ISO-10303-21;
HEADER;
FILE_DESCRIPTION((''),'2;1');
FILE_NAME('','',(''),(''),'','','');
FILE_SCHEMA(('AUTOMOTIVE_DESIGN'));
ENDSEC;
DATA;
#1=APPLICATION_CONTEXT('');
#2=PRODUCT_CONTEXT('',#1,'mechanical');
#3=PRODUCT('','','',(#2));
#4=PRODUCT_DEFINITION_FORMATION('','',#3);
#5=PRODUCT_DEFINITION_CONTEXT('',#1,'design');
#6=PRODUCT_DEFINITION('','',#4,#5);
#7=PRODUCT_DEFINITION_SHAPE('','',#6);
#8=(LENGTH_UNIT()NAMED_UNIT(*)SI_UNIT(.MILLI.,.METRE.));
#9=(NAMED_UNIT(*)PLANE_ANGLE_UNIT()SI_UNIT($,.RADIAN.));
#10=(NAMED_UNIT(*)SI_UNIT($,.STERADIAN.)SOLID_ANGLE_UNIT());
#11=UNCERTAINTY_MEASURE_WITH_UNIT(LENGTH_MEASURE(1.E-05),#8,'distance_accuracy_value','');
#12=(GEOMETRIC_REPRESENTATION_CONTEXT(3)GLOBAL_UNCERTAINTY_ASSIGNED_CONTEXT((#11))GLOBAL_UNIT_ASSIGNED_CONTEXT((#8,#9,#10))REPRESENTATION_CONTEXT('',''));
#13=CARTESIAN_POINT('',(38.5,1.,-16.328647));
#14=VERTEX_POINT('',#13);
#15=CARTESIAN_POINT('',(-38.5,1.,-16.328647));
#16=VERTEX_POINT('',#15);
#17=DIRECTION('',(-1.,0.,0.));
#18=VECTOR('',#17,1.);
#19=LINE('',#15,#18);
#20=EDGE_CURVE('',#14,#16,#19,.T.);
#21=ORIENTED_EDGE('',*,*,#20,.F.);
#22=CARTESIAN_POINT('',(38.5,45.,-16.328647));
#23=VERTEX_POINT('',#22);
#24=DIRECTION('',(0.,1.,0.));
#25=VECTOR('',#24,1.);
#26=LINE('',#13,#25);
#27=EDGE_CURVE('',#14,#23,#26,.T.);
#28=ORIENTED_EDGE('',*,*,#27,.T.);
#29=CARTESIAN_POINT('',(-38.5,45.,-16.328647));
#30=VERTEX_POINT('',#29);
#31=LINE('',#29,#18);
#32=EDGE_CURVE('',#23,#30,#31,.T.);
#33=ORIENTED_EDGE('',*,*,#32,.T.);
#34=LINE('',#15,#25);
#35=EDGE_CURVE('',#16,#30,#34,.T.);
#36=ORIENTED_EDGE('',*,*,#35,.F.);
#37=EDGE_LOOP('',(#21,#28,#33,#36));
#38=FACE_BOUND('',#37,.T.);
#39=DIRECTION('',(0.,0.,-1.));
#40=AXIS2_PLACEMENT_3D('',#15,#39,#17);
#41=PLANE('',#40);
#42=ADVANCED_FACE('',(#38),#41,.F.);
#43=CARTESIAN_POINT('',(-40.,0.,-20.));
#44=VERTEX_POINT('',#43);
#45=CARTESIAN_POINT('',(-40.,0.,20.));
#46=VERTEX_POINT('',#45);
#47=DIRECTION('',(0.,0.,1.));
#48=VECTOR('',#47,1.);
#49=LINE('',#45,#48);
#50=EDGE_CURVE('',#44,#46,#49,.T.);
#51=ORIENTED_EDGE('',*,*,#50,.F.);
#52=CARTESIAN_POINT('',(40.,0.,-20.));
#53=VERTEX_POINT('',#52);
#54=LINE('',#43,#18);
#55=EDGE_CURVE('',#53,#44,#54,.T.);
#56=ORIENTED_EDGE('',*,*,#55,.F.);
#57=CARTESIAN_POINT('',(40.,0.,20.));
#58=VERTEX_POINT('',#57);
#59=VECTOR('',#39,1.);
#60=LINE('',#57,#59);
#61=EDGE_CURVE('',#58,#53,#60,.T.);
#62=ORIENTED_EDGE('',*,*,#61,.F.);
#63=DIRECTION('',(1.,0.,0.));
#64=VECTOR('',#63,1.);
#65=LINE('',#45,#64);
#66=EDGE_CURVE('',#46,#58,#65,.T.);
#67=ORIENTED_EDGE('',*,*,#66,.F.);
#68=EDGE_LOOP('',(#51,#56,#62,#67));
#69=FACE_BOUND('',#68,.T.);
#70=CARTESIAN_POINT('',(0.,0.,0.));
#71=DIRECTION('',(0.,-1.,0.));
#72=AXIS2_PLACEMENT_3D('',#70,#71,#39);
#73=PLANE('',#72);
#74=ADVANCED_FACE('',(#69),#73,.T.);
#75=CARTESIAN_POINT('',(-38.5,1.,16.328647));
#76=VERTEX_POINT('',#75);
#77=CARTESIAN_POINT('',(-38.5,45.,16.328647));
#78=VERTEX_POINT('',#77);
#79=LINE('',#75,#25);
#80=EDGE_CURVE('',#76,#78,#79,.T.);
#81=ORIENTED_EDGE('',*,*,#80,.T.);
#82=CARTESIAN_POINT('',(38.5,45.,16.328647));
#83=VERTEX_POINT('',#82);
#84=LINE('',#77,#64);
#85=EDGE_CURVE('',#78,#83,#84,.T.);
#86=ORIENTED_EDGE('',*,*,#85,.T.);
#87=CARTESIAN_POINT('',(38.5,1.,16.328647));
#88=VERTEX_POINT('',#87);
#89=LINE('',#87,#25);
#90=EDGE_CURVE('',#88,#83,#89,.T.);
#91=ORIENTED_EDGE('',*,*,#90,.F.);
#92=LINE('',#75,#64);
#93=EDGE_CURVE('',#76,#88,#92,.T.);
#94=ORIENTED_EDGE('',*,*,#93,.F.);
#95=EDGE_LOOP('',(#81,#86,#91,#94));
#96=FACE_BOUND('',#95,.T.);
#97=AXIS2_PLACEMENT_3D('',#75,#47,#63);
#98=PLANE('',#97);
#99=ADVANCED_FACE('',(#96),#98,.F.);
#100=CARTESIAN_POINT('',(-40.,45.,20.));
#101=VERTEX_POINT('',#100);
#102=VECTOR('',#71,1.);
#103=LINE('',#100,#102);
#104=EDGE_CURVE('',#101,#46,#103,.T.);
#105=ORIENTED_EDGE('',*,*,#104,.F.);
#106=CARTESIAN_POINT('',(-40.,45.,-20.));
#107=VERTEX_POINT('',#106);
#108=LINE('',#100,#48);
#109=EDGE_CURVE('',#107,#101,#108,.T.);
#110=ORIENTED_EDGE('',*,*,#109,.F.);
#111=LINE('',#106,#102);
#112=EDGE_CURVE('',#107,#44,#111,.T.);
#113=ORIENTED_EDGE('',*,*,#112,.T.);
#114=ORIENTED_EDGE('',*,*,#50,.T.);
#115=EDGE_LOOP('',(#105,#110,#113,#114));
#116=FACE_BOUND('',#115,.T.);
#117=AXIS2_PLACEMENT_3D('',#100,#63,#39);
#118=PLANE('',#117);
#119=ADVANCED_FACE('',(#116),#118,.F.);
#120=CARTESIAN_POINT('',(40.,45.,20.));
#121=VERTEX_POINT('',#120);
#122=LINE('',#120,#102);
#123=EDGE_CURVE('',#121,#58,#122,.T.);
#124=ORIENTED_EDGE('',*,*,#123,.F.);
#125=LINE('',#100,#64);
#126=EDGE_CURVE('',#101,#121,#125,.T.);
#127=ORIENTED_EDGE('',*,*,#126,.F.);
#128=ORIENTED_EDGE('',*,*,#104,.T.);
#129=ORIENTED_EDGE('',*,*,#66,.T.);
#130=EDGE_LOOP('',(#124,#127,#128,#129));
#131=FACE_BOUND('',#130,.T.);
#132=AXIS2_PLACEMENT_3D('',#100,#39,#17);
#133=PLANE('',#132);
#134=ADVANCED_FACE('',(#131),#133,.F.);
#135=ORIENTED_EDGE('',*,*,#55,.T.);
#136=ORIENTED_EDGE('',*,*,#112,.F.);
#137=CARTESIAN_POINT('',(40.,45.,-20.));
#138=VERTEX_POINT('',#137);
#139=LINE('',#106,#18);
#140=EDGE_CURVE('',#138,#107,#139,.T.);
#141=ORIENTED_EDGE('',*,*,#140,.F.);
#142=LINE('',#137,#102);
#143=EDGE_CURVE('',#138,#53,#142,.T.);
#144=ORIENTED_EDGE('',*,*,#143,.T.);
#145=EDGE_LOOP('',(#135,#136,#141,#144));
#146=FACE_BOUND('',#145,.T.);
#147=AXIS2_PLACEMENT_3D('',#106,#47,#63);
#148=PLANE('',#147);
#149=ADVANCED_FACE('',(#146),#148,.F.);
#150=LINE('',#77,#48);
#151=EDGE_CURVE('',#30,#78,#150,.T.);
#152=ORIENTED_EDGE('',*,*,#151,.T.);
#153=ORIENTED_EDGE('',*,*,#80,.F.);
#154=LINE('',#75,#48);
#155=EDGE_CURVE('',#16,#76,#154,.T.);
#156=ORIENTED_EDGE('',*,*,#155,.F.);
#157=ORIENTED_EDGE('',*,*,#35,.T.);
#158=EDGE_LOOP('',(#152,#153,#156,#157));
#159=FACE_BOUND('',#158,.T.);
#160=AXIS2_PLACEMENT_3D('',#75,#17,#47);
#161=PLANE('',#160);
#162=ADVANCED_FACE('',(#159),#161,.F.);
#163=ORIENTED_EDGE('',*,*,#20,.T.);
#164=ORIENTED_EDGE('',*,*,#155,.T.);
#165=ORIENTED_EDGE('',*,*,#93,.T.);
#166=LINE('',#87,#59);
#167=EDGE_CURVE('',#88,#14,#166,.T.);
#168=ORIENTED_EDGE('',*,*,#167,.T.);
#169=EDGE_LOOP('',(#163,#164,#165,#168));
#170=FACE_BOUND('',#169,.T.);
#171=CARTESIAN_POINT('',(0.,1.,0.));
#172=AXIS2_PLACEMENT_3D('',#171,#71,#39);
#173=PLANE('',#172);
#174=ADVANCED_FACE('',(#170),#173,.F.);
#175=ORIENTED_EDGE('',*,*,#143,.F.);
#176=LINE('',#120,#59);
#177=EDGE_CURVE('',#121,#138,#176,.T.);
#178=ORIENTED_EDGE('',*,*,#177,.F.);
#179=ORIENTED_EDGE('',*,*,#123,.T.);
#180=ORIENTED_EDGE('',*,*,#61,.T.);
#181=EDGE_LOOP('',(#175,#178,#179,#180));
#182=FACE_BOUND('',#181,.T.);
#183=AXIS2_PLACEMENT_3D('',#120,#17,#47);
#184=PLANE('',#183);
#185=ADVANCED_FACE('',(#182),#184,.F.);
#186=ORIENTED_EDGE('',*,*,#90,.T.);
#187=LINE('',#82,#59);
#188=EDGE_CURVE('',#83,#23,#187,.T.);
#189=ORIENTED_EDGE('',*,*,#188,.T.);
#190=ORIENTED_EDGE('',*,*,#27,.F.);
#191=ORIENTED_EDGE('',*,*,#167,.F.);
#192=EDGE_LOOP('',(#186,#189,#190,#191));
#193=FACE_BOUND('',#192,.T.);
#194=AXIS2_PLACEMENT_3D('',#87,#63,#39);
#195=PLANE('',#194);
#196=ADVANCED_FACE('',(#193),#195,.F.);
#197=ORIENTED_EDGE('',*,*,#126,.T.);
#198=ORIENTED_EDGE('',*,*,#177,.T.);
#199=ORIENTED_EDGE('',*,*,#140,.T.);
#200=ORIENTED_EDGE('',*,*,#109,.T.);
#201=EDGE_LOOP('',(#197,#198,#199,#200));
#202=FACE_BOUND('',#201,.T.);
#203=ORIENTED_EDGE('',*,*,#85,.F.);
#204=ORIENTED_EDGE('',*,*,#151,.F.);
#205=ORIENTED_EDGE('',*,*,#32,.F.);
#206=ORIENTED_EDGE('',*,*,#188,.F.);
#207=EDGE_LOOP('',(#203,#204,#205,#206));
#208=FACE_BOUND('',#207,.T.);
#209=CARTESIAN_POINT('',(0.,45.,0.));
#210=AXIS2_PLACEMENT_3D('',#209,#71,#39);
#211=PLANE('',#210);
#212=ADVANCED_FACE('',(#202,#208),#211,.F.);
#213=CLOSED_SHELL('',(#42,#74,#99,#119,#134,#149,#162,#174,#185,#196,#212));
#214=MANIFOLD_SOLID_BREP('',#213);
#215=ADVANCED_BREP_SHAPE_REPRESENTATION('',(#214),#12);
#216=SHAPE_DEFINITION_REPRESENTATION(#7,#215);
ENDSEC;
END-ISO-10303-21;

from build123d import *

# Parameters (mm, degrees)
SKETCH1_W           = 80
SKETCH1_H           = 40
BOSS_EXTRUDE1_DEPTH = 45
SKETCH2_W           = 77
SKETCH2_H           = 32.657294734
CUT_EXTRUDE1_DEPTH  = 44


with BuildPart() as part:
    # Sketch1 → Boss-Extrude1 (new body)
    with BuildSketch(Plane(origin=(0, 0, 0), x_dir=(1, 0, 0), z_dir=(0, 1, 0))):
        Rectangle(SKETCH1_W, SKETCH1_H)
    extrude(amount=BOSS_EXTRUDE1_DEPTH)

    # Sketch2 → Cut-Extrude1 (cut)
    with BuildSketch(Plane(origin=(0, 45, 0), x_dir=(1, 0, 0), z_dir=(0, 1, 0))):
        Rectangle(SKETCH2_W, SKETCH2_H)
    extrude(amount=-CUT_EXTRUDE1_DEPTH, mode=Mode.SUBTRACT)


solid = part.part
